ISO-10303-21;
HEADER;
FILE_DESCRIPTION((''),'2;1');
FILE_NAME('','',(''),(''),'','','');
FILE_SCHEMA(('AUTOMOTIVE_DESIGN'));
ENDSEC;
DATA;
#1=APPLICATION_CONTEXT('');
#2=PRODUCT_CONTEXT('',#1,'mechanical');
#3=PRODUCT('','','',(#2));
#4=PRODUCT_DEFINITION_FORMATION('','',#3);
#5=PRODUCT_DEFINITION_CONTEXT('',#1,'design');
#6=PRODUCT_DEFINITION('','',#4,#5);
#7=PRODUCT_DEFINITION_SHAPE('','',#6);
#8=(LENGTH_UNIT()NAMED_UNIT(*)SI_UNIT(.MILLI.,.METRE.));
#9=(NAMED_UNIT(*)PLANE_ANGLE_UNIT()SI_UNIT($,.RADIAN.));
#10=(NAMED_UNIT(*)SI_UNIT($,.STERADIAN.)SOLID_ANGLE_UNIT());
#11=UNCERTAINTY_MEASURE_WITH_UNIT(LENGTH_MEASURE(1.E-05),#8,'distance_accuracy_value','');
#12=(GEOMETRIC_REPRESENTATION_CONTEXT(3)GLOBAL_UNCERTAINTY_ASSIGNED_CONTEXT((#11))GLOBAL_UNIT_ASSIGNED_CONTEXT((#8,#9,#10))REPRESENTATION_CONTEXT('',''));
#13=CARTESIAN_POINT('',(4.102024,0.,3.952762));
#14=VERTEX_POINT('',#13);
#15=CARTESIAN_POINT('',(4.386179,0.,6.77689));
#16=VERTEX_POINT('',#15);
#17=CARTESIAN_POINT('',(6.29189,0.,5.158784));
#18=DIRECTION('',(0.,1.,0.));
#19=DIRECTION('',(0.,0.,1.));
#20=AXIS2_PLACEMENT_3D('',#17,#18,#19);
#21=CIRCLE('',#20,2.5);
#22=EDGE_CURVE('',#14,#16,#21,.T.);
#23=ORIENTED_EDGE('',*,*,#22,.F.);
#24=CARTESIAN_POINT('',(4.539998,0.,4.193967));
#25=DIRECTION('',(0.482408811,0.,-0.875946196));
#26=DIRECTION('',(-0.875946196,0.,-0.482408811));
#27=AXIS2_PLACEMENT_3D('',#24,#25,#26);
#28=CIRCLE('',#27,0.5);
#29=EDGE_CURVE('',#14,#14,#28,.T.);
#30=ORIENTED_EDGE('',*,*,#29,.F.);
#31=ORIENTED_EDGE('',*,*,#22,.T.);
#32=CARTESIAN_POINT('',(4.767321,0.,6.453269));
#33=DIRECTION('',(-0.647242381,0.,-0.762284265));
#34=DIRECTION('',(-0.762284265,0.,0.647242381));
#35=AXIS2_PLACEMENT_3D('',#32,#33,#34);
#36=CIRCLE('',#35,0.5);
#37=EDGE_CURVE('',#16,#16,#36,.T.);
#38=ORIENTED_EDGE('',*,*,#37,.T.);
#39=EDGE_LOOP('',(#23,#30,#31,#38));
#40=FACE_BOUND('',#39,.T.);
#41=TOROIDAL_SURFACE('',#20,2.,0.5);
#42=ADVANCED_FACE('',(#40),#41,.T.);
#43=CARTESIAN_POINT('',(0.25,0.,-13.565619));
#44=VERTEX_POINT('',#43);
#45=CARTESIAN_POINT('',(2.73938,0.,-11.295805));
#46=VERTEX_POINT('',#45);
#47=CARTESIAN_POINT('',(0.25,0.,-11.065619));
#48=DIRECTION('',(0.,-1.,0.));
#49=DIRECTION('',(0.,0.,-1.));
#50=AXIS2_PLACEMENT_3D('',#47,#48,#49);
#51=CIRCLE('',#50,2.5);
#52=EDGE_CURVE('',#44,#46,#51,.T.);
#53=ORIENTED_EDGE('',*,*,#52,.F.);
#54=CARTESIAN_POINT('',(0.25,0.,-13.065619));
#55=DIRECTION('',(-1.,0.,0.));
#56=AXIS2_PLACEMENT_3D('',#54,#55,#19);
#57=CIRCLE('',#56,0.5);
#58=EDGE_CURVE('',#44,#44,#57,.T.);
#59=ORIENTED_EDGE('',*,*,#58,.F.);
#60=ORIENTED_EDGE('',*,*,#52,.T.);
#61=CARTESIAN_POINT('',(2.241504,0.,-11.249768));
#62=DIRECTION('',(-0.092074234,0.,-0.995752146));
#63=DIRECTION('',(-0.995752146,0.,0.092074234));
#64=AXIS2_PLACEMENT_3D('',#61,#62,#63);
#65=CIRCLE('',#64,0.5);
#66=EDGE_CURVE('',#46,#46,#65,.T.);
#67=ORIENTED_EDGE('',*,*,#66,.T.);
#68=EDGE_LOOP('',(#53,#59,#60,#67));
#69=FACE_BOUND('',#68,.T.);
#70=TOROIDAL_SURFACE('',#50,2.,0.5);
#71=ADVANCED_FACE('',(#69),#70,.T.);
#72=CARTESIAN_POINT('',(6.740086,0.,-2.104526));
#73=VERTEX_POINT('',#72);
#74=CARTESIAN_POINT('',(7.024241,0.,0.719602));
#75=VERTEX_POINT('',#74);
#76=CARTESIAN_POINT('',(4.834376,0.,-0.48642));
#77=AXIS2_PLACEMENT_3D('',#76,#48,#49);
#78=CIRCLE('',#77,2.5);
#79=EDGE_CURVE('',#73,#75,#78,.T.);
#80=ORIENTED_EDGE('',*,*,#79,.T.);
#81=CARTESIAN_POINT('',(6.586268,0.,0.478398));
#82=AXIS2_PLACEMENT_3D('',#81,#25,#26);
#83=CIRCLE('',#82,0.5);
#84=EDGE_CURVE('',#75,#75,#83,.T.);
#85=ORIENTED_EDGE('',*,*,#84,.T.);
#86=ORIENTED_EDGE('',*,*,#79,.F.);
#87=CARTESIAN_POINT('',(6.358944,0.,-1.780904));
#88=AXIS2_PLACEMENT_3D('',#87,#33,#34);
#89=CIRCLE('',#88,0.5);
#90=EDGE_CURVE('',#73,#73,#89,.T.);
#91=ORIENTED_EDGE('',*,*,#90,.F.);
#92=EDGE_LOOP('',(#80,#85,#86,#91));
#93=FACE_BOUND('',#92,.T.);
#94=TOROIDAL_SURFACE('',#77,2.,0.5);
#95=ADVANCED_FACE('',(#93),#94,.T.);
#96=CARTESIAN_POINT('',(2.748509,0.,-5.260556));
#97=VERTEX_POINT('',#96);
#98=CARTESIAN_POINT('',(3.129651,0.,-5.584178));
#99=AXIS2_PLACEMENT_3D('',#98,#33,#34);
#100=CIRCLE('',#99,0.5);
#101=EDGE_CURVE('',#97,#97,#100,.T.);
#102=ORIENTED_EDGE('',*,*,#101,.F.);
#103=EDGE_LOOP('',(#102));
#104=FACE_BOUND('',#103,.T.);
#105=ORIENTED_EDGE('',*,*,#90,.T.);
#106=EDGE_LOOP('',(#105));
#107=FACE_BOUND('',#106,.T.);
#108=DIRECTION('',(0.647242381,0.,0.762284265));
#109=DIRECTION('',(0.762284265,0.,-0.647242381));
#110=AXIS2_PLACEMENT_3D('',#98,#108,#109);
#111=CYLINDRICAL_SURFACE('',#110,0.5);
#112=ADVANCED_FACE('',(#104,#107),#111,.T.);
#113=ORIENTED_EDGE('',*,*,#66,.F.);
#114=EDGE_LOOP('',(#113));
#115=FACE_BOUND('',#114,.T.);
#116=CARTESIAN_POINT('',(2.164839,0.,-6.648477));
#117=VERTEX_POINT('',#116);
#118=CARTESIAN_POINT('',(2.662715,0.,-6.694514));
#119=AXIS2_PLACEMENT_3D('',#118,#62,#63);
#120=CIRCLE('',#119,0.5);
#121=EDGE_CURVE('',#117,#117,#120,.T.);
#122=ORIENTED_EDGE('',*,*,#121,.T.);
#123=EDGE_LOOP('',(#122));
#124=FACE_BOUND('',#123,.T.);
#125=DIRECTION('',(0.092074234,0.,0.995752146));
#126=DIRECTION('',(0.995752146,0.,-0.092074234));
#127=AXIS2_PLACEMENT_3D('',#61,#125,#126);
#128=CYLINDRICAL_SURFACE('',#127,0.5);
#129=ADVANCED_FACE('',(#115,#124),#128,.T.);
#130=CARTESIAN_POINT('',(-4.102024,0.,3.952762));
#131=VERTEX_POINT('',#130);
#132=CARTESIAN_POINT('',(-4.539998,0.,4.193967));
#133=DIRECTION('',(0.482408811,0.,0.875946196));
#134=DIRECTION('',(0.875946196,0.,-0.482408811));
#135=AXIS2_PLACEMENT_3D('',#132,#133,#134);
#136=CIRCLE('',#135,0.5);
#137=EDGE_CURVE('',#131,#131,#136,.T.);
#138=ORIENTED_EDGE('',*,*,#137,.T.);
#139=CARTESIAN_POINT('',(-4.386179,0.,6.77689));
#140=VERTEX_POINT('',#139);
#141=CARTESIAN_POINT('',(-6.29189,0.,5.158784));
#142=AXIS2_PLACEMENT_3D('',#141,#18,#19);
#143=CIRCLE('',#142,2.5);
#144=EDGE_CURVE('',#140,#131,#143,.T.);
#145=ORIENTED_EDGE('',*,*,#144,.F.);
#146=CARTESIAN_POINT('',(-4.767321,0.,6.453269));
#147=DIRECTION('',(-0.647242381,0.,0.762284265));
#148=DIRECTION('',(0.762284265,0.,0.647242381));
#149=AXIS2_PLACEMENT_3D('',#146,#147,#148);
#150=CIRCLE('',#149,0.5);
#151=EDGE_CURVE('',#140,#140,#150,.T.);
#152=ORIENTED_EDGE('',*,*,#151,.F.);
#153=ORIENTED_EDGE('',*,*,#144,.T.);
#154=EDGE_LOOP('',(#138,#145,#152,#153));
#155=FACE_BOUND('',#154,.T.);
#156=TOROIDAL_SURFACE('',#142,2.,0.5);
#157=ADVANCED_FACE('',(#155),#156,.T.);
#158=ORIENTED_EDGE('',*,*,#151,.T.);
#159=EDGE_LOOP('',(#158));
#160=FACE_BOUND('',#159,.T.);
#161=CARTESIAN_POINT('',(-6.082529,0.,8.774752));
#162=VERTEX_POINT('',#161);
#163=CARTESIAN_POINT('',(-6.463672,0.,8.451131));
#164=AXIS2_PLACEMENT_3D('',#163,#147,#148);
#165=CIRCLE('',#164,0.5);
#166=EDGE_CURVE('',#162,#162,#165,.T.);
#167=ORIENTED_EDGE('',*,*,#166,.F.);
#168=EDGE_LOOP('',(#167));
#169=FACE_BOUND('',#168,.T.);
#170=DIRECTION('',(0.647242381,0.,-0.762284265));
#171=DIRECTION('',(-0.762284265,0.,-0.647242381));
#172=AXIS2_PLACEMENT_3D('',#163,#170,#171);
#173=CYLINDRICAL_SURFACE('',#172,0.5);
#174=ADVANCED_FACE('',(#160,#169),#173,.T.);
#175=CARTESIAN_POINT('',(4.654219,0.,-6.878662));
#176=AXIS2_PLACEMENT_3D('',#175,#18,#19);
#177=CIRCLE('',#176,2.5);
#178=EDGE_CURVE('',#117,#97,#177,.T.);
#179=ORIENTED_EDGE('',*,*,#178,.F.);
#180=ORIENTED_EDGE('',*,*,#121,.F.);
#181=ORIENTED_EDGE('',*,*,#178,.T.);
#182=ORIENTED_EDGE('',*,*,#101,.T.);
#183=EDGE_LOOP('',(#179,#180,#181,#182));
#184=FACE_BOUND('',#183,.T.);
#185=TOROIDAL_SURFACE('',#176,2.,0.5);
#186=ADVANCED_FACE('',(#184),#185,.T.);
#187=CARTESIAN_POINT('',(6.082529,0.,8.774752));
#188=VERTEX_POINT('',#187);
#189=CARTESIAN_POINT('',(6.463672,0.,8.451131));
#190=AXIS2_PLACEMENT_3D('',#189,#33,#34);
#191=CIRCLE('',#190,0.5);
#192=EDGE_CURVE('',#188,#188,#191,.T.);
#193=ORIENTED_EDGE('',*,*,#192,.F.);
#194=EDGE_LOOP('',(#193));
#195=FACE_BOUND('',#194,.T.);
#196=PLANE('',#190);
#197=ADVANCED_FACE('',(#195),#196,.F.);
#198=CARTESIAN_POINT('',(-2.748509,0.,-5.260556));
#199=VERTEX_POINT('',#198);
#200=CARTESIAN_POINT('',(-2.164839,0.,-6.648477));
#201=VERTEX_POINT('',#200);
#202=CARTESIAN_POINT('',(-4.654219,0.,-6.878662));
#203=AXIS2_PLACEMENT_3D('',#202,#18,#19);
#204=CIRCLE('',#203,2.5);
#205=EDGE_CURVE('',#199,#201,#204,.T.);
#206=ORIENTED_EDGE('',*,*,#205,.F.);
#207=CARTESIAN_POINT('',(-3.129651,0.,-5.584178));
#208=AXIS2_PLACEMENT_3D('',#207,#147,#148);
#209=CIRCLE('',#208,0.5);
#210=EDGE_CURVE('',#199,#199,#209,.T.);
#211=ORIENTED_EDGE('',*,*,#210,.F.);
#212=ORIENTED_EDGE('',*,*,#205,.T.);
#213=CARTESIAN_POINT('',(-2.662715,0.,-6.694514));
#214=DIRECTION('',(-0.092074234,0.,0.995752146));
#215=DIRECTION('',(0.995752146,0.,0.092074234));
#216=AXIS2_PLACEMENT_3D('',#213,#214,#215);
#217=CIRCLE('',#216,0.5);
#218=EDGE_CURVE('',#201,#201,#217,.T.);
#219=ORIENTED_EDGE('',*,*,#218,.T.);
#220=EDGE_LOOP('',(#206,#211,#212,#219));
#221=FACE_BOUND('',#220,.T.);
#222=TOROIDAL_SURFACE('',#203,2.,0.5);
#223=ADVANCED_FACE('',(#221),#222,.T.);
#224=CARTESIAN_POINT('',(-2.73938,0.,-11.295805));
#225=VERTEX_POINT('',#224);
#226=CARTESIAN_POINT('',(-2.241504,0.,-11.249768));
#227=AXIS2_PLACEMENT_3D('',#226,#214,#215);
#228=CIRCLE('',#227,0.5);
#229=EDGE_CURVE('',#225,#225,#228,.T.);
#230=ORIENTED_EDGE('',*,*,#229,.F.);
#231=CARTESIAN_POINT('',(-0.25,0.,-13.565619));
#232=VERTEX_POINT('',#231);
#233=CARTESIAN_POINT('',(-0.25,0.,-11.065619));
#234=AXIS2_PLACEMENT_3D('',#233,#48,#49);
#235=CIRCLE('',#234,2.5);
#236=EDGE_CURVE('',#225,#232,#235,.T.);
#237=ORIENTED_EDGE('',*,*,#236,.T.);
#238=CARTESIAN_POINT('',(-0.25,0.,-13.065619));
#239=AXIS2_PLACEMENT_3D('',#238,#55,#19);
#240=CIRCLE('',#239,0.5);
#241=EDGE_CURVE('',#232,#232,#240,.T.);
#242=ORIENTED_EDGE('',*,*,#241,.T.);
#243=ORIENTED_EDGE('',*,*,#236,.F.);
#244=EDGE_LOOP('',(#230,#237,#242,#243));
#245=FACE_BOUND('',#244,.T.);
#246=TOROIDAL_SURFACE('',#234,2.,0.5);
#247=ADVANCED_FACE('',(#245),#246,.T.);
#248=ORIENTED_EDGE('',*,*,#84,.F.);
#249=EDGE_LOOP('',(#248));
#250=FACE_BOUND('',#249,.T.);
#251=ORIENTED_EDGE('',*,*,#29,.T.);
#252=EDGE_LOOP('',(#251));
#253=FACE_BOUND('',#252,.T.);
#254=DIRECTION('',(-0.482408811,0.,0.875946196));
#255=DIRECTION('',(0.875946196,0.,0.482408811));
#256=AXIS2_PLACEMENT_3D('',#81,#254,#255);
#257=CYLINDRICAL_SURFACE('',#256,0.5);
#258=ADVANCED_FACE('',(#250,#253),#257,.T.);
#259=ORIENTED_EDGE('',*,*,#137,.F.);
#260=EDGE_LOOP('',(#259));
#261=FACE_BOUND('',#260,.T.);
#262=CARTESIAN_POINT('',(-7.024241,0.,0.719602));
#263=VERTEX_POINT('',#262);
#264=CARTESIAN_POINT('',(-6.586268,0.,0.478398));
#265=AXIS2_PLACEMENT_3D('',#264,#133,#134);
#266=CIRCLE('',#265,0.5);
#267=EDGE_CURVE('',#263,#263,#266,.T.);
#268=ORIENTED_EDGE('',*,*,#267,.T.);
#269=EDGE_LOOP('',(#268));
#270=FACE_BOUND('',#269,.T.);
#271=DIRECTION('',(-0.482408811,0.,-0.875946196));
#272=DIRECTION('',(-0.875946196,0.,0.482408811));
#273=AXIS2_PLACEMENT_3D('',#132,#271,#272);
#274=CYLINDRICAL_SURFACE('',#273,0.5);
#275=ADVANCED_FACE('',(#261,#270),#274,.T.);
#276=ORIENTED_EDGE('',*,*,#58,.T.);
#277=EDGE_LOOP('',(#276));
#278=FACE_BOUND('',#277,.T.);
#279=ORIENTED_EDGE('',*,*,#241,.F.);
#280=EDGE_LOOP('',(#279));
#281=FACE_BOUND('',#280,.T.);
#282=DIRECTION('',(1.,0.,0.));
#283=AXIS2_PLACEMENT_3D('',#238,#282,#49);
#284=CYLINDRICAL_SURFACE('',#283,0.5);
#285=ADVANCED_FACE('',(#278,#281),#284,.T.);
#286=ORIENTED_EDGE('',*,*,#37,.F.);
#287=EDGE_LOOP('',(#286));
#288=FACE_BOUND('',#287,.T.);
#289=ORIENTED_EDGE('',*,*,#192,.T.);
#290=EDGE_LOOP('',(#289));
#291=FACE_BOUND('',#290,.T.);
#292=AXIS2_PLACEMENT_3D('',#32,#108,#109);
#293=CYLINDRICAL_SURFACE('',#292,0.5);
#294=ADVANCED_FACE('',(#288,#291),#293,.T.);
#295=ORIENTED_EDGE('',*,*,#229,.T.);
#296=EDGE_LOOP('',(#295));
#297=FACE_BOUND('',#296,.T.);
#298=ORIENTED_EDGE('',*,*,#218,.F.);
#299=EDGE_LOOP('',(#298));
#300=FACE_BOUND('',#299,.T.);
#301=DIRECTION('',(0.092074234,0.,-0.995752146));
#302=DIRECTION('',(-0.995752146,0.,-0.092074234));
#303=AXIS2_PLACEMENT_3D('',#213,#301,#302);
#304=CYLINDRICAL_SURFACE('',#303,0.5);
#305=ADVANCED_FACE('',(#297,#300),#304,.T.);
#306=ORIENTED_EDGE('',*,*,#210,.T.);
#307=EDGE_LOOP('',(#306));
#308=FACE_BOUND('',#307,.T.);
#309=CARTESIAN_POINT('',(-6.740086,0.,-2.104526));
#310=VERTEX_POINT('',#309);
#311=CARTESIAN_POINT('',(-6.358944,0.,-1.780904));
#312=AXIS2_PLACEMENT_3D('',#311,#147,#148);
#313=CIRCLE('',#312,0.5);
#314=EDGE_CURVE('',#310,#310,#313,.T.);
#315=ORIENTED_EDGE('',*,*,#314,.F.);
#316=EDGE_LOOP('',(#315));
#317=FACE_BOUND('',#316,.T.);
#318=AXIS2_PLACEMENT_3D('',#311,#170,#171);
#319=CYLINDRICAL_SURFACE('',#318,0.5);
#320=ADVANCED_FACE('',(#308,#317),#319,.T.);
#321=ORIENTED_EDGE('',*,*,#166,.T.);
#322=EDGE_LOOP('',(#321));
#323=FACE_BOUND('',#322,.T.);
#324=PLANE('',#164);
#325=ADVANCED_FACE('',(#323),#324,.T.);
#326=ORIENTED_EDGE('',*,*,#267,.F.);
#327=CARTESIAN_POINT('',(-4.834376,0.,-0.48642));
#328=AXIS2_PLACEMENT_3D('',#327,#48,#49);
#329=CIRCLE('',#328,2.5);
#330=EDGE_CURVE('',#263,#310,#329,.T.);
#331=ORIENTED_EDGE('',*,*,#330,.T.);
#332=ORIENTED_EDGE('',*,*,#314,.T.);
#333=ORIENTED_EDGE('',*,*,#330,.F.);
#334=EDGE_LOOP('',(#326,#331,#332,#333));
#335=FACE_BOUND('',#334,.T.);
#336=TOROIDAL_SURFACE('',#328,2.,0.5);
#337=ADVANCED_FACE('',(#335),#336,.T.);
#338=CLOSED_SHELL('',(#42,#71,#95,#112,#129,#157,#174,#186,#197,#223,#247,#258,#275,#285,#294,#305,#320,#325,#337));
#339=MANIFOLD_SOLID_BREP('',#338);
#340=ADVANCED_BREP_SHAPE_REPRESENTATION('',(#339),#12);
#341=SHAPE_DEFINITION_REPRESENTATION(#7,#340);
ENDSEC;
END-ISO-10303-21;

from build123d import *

# Parameters (mm, degrees)
SWEEP2_PROFILE_R = 0.5


with BuildPart() as part:
    # Sweep2: sweep along a path in Sketch1
    with BuildLine(Plane(origin=(0, 0, 0), x_dir=(1, 0, 0), z_dir=(0, 1, 0))) as sweep2_path:
        Line((-6.463671569, -8.451131015), (-4.767321422, -6.453268913))
        ThreePointArc((-4.767321422, -6.453268913), (-4.301937475, -5.359006878), (-4.539997559, -4.193966529))
        Line((-4.539997559, -4.193966529), (-6.586268207, -0.47839801))
        ThreePointArc((-6.586268207, -0.47839801), (-6.824328291, 0.686642339), (-6.358944344, 1.780904374))
        Line((-6.358944344, 1.780904374), (-3.129650798, 5.584177656))
        ThreePointArc((-3.129650798, 5.584177656), (-2.810607738, 6.103358408), (-2.662715036, 6.694513951))
        Line((-2.662715036, 6.694513951), (-2.241504291, 11.249767737))
        ThreePointArc((-2.241504291, 11.249767737), (-1.597535355, 12.543505756), (-0.25, 13.065619269))
        Line((-0.25, 13.065619269), (0.25, 13.065619269))
        ThreePointArc((0.25, 13.065619269), (1.597535355, 12.543505756), (2.241504291, 11.249767737))
        Line((2.241504291, 11.249767737), (2.662715036, 6.694513951))
        ThreePointArc((2.662715036, 6.694513951), (2.810607738, 6.103358408), (3.129650798, 5.584177656))
        Line((3.129650798, 5.584177656), (6.358944344, 1.780904374))
        ThreePointArc((6.358944344, 1.780904374), (6.824328291, 0.686642339), (6.586268207, -0.47839801))
        Line((6.586268207, -0.47839801), (4.539997559, -4.193966529))
        ThreePointArc((4.539997559, -4.193966529), (4.301937475, -5.359006878), (4.767321422, -6.453268913))
        Line((4.767321422, -6.453268913), (6.463671569, -8.451131015))
    # Sweep2 profile (on start of the path) → Sweep2 (sweep)
    with BuildSketch(Plane(origin=(-6.463671569, 0, 8.451131015), x_dir=(-0.762284265, 0, -0.647242381), z_dir=(0.647242381, 0, -0.762284265))):
        Circle(SWEEP2_PROFILE_R)
    sweep(path=sweep2_path.line)


solid = part.part
